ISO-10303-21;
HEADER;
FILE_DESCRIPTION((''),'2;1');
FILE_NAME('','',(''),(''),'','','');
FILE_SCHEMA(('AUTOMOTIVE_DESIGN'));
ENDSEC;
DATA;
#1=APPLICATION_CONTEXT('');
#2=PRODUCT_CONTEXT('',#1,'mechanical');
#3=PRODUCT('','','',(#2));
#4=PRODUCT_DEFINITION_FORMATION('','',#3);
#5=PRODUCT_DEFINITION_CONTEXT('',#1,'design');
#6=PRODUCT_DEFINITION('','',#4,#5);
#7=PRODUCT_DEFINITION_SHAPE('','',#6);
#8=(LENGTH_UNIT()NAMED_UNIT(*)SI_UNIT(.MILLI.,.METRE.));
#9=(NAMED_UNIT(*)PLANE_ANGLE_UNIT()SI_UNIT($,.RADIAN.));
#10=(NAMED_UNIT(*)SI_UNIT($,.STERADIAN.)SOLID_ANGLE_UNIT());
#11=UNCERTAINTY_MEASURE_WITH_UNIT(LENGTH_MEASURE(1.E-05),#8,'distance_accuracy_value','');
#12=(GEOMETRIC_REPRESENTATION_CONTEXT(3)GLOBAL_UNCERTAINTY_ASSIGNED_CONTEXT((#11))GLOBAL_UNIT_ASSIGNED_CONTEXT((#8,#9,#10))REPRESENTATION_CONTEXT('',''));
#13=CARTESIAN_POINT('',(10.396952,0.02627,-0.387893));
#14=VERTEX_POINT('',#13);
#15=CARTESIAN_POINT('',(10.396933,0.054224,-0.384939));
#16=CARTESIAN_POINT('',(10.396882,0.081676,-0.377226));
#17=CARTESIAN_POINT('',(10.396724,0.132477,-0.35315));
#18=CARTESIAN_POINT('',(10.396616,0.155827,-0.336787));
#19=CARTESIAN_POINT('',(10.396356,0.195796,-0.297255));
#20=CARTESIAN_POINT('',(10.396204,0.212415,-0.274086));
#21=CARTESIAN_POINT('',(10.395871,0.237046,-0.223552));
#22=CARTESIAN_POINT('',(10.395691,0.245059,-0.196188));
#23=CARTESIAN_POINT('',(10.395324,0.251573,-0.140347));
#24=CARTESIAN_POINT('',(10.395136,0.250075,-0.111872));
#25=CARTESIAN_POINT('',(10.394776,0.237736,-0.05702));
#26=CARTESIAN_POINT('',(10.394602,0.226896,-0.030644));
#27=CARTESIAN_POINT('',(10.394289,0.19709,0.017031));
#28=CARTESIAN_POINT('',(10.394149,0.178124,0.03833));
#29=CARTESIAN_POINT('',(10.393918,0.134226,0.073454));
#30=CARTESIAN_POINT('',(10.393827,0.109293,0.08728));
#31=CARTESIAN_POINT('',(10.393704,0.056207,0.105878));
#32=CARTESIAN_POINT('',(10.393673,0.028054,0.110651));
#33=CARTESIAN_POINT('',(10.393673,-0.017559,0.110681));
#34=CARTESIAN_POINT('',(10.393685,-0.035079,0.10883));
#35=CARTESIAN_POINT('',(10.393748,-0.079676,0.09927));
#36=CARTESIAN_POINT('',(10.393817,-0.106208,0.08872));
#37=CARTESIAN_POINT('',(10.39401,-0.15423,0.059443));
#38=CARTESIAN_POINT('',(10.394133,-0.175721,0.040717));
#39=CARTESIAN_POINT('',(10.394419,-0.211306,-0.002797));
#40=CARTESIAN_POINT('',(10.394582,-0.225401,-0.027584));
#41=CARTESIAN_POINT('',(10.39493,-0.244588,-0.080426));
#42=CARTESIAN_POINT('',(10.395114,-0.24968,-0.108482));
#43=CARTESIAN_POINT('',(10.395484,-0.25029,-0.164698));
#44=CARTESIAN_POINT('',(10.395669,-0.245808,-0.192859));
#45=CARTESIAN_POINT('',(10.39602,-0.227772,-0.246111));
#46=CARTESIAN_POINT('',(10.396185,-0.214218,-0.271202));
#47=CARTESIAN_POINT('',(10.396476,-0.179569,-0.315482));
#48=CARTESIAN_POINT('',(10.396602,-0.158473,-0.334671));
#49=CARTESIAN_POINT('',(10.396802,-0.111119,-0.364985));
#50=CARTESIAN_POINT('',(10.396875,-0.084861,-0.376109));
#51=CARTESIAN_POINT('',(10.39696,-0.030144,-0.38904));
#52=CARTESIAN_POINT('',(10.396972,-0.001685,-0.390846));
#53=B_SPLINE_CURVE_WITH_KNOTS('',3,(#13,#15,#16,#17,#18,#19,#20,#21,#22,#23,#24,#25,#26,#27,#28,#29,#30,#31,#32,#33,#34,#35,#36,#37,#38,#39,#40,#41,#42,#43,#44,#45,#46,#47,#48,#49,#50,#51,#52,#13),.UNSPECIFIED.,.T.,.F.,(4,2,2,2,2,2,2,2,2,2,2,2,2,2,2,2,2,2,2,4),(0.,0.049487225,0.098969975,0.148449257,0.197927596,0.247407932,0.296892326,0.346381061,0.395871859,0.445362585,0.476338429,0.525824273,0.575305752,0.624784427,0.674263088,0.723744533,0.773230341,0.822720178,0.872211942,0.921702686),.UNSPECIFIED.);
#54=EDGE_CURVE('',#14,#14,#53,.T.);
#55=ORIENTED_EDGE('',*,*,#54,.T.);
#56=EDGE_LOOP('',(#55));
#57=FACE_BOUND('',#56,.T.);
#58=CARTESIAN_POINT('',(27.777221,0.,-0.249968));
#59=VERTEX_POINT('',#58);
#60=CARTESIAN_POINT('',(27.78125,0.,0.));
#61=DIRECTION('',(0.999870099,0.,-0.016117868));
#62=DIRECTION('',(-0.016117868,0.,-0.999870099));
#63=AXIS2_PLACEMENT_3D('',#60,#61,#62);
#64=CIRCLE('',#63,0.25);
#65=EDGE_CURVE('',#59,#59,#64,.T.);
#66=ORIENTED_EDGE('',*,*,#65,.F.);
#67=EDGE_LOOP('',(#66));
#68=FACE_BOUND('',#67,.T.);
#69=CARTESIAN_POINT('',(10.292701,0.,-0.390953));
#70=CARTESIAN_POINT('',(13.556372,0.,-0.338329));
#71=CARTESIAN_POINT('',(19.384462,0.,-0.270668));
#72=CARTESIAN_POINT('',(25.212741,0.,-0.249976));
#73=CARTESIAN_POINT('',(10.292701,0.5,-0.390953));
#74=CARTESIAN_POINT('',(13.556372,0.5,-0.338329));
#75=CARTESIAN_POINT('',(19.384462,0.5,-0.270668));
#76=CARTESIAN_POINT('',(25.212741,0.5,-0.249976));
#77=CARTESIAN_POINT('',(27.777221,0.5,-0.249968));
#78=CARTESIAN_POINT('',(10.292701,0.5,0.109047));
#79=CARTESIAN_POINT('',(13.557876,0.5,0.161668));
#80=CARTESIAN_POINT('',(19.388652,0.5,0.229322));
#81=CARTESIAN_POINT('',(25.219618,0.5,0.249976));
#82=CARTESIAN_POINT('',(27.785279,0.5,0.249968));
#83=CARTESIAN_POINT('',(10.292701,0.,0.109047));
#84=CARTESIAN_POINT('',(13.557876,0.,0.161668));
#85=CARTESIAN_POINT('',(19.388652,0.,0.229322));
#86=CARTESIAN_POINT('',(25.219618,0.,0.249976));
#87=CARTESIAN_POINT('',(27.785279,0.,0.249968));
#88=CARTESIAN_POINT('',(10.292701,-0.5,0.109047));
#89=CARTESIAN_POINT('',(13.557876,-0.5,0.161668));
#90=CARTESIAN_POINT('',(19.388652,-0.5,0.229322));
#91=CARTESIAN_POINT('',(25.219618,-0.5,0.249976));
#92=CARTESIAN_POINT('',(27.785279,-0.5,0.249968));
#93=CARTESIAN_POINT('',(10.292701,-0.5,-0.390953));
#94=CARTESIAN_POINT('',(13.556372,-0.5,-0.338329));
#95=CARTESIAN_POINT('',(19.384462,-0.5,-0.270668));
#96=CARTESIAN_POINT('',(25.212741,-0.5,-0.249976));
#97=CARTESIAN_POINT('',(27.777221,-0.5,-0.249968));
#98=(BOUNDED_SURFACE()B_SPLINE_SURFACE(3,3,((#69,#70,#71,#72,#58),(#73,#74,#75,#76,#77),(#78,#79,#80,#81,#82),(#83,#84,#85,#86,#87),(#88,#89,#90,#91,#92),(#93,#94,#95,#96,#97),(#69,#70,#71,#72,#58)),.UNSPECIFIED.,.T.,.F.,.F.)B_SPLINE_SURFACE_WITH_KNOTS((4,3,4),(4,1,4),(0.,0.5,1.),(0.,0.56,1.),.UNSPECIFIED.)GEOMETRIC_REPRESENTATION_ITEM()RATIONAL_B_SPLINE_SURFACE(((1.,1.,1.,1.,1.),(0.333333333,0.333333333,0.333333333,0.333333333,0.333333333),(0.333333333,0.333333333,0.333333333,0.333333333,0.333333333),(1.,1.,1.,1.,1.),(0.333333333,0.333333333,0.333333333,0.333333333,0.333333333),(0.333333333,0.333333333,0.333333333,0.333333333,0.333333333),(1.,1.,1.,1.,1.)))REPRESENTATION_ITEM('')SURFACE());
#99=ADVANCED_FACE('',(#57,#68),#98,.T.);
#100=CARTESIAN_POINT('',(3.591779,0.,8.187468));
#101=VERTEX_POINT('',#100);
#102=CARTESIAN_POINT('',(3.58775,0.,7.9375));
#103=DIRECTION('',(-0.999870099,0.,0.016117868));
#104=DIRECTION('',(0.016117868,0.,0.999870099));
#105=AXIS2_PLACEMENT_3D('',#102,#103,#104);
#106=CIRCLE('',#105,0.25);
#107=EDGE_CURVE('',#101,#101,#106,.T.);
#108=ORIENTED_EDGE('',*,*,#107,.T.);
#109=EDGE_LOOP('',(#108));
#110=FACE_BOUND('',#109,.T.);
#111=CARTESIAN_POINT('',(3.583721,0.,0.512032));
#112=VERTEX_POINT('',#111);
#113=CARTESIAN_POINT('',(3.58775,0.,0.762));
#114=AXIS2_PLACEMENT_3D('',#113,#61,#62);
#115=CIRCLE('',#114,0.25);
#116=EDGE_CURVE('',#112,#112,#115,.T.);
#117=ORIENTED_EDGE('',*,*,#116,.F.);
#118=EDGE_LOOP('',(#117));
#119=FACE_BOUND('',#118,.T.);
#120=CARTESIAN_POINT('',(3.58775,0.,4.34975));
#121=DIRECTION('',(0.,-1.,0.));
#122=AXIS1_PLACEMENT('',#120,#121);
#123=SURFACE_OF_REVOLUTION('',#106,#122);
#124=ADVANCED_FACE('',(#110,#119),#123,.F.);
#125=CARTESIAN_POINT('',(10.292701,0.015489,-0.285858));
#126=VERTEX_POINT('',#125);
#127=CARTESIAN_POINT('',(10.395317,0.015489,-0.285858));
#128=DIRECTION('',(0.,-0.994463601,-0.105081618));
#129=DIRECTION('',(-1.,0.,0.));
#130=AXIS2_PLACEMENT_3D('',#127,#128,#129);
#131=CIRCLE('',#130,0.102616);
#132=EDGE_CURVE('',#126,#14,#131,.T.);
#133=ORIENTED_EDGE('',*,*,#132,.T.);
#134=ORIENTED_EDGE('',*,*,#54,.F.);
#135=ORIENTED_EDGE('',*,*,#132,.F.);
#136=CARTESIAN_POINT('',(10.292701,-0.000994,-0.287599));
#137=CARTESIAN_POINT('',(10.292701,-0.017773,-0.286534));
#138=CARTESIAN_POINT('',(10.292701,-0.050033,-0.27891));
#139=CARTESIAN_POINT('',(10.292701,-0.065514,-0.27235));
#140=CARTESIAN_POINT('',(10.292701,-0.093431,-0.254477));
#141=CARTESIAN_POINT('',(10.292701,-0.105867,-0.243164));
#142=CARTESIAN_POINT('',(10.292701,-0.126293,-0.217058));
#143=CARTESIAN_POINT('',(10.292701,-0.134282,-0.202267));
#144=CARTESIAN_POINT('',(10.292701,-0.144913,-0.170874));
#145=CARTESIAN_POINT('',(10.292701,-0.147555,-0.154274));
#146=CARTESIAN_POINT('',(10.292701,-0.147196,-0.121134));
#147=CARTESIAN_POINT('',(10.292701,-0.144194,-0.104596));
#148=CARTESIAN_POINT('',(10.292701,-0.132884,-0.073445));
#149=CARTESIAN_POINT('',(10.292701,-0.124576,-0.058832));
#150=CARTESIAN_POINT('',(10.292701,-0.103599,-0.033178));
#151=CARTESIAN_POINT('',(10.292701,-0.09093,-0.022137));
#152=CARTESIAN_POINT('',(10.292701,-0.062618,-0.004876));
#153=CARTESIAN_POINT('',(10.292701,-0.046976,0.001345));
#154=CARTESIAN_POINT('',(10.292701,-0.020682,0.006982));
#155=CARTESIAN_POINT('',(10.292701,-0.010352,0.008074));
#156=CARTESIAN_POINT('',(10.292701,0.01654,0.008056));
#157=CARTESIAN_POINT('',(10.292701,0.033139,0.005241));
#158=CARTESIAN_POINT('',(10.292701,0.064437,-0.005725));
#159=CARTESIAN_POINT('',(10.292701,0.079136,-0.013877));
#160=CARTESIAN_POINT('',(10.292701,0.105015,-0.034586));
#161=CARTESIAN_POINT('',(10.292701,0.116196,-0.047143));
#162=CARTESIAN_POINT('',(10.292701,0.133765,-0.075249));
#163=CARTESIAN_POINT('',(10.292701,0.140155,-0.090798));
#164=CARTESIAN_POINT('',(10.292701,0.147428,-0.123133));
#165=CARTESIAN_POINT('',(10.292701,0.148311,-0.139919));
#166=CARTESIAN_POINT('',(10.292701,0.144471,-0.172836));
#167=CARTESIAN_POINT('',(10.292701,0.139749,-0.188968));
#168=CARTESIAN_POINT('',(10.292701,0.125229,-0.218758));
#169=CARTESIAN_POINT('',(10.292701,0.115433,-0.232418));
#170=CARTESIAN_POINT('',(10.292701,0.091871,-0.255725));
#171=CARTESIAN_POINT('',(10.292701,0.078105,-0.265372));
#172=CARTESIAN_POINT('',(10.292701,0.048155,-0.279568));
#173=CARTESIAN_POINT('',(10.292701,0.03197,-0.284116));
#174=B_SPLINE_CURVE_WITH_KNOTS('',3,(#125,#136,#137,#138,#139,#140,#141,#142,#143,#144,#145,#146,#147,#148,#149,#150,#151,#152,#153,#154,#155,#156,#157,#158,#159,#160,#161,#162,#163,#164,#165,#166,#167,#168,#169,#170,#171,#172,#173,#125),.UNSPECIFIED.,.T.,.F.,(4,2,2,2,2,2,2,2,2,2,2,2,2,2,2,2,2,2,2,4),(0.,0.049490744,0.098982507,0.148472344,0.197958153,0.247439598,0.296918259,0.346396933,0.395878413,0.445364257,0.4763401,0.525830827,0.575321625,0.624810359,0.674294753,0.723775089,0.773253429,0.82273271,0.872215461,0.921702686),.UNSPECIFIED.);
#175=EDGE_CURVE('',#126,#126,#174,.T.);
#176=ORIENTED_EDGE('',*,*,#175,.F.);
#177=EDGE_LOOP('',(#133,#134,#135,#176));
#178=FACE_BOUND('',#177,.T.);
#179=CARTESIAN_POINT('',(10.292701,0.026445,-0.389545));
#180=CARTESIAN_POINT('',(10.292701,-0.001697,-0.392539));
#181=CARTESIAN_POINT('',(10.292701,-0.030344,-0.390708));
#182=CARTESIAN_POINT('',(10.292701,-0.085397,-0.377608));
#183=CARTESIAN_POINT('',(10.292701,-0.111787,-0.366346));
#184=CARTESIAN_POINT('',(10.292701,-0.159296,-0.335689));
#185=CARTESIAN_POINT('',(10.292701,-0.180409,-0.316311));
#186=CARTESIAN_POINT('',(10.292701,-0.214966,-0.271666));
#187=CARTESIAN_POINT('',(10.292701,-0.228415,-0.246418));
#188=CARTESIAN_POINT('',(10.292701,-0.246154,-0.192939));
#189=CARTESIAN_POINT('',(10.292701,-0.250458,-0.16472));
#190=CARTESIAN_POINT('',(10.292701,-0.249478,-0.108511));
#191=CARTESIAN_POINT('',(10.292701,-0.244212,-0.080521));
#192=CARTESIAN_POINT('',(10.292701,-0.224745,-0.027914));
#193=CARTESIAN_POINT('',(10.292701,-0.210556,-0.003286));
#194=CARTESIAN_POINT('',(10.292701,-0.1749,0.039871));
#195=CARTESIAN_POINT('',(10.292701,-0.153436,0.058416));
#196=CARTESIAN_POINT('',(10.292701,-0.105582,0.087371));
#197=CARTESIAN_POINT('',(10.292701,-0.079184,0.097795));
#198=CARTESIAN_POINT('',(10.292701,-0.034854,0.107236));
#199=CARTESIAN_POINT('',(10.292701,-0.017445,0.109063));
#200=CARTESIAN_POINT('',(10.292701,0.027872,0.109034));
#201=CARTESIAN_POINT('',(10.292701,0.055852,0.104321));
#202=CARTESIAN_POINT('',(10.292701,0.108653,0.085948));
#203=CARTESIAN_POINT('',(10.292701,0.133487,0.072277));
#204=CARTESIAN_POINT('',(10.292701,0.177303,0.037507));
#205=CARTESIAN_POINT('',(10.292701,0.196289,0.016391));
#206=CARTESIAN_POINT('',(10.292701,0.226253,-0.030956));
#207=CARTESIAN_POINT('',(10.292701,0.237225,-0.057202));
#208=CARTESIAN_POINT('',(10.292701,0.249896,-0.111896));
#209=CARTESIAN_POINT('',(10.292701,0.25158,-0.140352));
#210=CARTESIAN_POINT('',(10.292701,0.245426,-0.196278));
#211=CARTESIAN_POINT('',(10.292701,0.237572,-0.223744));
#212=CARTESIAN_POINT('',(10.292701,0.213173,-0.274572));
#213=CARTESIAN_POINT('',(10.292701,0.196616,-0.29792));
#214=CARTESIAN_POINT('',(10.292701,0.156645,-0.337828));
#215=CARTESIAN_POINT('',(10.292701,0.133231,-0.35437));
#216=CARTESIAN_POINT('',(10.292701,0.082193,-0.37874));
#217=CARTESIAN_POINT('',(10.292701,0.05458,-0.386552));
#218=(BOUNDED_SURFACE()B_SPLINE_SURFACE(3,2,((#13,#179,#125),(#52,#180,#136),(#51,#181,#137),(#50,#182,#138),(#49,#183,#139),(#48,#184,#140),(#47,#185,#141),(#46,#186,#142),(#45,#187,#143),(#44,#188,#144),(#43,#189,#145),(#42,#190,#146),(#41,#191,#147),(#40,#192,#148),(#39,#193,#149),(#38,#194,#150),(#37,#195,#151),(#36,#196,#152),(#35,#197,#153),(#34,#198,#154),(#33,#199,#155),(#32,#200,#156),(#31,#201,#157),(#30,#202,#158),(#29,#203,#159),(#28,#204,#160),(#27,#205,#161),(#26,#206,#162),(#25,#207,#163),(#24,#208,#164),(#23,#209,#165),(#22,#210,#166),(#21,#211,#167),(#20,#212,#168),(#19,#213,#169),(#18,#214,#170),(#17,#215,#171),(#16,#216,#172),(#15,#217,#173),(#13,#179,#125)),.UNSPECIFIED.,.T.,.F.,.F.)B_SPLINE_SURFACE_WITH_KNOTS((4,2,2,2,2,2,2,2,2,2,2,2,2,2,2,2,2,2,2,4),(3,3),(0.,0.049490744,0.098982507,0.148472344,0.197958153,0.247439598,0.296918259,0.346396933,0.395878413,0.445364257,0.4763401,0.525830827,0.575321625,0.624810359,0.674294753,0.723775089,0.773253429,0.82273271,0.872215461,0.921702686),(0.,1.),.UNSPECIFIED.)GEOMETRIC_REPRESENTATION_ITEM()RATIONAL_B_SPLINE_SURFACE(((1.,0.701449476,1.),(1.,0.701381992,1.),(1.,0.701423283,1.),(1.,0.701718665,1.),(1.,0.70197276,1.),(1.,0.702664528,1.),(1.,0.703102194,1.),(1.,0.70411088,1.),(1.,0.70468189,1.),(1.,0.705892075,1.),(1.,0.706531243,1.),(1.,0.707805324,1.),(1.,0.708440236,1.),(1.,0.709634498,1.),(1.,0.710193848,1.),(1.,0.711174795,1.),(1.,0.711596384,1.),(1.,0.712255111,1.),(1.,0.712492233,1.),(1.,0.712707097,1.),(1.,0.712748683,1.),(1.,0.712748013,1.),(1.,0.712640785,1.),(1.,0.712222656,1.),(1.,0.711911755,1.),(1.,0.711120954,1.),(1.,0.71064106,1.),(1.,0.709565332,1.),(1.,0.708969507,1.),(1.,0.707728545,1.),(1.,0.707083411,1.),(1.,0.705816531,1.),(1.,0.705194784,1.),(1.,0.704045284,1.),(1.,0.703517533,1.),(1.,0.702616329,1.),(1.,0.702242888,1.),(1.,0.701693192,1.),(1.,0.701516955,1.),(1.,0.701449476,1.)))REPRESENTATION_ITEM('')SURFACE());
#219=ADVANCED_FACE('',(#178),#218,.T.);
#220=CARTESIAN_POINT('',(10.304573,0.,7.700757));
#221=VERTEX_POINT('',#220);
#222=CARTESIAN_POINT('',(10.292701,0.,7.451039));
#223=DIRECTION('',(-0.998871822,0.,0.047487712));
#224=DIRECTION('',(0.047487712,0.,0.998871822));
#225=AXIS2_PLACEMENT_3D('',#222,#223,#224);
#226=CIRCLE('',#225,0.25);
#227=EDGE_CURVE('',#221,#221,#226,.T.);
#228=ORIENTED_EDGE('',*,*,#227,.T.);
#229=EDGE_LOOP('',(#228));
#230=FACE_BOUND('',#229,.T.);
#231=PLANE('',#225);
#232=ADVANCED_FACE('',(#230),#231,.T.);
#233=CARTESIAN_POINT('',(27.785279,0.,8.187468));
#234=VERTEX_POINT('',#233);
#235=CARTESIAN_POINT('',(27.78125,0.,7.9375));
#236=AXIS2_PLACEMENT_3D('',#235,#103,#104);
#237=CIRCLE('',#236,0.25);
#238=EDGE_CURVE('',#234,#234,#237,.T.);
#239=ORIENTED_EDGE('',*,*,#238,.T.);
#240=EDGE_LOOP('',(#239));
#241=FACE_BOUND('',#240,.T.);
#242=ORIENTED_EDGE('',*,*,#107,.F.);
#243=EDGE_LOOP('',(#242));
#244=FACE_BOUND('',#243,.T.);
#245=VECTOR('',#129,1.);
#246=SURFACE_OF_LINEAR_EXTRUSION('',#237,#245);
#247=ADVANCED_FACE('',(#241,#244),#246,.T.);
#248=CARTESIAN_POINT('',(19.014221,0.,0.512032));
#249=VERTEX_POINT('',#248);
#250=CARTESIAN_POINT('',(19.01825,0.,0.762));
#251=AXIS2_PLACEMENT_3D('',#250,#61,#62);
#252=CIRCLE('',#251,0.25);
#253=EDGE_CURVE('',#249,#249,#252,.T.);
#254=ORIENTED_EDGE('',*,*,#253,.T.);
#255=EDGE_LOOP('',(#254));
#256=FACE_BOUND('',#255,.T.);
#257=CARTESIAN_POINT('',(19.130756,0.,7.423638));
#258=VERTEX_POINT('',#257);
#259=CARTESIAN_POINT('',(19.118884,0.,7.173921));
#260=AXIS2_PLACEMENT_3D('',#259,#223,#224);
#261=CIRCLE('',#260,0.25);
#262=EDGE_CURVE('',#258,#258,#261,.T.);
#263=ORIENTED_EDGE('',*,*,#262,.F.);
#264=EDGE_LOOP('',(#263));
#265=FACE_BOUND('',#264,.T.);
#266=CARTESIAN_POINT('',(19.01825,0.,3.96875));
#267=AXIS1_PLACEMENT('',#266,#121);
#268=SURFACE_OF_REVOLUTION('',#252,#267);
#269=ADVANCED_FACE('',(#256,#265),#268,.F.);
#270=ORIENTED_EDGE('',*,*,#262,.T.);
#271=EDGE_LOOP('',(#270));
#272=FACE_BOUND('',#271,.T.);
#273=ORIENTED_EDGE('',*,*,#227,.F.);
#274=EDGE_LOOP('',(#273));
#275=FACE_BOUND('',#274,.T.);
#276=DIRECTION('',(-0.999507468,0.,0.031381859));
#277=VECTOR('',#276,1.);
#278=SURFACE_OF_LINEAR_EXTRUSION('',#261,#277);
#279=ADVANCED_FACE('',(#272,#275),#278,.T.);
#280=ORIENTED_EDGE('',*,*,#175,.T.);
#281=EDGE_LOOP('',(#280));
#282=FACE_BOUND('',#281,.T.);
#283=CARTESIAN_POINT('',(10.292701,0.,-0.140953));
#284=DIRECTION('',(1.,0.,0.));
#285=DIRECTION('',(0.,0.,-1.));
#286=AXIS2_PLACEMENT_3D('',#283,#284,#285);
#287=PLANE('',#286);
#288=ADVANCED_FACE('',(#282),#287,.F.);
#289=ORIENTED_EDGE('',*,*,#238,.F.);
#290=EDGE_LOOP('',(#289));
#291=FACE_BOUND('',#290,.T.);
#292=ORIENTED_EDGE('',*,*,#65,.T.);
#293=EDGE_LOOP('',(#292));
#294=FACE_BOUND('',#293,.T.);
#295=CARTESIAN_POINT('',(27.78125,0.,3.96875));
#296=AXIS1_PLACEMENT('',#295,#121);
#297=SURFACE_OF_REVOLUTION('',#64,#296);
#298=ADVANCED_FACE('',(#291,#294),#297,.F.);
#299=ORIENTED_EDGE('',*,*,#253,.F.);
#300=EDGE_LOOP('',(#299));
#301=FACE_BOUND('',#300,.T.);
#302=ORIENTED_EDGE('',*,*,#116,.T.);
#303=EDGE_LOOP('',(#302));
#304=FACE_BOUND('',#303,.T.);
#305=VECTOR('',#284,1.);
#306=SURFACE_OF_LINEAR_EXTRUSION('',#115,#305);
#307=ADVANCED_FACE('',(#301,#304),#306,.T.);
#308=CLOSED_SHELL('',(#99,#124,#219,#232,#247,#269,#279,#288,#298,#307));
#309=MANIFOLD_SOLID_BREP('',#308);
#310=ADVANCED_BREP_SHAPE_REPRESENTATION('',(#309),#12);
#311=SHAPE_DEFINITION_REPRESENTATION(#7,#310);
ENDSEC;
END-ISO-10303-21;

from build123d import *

# Parameters (mm, degrees)
SKETCH3_R = 0.25
FILLET1_R = 0.102616


with BuildPart() as part:
    # Sweep2: sweep along a path in Sketch1
    with BuildLine() as sweep2_path:  # in the path sketch's own coordinates; laid on its plane below (add() does not lay a ready-made edge on the line's plane)
        Line((10.292700886, -7.451039056), (19.118883778, -7.173920534))
        ThreePointArc((19.118883778, -7.173920534), (22.224605119, -3.918426875), (19.01825, -0.761999961))
        Line((19.01825, -0.761999961), (3.58775, -0.761999961))
        ThreePointArc((3.58775, -0.761999961), (-2e-08, -4.34974998), (3.58775, -7.9375))
        Line((3.58775, -7.9375), (27.78125, -7.9375))
        ThreePointArc((27.78125, -7.9375), (31.75, -3.96875), (27.78125, 0))
        add(Edge.make_bspline(
            [(27.78125, 0), (19.036691437, 0), (10.292700886, 0.140952795)],
            knots=[0, 0, 0, 1, 1, 1], degree=2))
    # Sketch3 → Sweep2 (sweep)
    with BuildSketch(Plane(origin=(10.292700886, 0, 0), x_dir=(0, 0, -1), z_dir=(1, 0, 0))):
        with Locations((0.140952795, 0)):
            Circle(SKETCH3_R)
    sweep(path=Plane(origin=(0, 0, 0), x_dir=(1, 0, 0), z_dir=(0, 1, 0)) * sweep2_path.line)

    # Fillet1
    fillet1_edges = [part.edges().sort_by_distance(p)[0] for p in [
        (10.292700886, 0, 0.109047204),
    ]]
    fillet(fillet1_edges, radius=FILLET1_R)


solid = part.part
